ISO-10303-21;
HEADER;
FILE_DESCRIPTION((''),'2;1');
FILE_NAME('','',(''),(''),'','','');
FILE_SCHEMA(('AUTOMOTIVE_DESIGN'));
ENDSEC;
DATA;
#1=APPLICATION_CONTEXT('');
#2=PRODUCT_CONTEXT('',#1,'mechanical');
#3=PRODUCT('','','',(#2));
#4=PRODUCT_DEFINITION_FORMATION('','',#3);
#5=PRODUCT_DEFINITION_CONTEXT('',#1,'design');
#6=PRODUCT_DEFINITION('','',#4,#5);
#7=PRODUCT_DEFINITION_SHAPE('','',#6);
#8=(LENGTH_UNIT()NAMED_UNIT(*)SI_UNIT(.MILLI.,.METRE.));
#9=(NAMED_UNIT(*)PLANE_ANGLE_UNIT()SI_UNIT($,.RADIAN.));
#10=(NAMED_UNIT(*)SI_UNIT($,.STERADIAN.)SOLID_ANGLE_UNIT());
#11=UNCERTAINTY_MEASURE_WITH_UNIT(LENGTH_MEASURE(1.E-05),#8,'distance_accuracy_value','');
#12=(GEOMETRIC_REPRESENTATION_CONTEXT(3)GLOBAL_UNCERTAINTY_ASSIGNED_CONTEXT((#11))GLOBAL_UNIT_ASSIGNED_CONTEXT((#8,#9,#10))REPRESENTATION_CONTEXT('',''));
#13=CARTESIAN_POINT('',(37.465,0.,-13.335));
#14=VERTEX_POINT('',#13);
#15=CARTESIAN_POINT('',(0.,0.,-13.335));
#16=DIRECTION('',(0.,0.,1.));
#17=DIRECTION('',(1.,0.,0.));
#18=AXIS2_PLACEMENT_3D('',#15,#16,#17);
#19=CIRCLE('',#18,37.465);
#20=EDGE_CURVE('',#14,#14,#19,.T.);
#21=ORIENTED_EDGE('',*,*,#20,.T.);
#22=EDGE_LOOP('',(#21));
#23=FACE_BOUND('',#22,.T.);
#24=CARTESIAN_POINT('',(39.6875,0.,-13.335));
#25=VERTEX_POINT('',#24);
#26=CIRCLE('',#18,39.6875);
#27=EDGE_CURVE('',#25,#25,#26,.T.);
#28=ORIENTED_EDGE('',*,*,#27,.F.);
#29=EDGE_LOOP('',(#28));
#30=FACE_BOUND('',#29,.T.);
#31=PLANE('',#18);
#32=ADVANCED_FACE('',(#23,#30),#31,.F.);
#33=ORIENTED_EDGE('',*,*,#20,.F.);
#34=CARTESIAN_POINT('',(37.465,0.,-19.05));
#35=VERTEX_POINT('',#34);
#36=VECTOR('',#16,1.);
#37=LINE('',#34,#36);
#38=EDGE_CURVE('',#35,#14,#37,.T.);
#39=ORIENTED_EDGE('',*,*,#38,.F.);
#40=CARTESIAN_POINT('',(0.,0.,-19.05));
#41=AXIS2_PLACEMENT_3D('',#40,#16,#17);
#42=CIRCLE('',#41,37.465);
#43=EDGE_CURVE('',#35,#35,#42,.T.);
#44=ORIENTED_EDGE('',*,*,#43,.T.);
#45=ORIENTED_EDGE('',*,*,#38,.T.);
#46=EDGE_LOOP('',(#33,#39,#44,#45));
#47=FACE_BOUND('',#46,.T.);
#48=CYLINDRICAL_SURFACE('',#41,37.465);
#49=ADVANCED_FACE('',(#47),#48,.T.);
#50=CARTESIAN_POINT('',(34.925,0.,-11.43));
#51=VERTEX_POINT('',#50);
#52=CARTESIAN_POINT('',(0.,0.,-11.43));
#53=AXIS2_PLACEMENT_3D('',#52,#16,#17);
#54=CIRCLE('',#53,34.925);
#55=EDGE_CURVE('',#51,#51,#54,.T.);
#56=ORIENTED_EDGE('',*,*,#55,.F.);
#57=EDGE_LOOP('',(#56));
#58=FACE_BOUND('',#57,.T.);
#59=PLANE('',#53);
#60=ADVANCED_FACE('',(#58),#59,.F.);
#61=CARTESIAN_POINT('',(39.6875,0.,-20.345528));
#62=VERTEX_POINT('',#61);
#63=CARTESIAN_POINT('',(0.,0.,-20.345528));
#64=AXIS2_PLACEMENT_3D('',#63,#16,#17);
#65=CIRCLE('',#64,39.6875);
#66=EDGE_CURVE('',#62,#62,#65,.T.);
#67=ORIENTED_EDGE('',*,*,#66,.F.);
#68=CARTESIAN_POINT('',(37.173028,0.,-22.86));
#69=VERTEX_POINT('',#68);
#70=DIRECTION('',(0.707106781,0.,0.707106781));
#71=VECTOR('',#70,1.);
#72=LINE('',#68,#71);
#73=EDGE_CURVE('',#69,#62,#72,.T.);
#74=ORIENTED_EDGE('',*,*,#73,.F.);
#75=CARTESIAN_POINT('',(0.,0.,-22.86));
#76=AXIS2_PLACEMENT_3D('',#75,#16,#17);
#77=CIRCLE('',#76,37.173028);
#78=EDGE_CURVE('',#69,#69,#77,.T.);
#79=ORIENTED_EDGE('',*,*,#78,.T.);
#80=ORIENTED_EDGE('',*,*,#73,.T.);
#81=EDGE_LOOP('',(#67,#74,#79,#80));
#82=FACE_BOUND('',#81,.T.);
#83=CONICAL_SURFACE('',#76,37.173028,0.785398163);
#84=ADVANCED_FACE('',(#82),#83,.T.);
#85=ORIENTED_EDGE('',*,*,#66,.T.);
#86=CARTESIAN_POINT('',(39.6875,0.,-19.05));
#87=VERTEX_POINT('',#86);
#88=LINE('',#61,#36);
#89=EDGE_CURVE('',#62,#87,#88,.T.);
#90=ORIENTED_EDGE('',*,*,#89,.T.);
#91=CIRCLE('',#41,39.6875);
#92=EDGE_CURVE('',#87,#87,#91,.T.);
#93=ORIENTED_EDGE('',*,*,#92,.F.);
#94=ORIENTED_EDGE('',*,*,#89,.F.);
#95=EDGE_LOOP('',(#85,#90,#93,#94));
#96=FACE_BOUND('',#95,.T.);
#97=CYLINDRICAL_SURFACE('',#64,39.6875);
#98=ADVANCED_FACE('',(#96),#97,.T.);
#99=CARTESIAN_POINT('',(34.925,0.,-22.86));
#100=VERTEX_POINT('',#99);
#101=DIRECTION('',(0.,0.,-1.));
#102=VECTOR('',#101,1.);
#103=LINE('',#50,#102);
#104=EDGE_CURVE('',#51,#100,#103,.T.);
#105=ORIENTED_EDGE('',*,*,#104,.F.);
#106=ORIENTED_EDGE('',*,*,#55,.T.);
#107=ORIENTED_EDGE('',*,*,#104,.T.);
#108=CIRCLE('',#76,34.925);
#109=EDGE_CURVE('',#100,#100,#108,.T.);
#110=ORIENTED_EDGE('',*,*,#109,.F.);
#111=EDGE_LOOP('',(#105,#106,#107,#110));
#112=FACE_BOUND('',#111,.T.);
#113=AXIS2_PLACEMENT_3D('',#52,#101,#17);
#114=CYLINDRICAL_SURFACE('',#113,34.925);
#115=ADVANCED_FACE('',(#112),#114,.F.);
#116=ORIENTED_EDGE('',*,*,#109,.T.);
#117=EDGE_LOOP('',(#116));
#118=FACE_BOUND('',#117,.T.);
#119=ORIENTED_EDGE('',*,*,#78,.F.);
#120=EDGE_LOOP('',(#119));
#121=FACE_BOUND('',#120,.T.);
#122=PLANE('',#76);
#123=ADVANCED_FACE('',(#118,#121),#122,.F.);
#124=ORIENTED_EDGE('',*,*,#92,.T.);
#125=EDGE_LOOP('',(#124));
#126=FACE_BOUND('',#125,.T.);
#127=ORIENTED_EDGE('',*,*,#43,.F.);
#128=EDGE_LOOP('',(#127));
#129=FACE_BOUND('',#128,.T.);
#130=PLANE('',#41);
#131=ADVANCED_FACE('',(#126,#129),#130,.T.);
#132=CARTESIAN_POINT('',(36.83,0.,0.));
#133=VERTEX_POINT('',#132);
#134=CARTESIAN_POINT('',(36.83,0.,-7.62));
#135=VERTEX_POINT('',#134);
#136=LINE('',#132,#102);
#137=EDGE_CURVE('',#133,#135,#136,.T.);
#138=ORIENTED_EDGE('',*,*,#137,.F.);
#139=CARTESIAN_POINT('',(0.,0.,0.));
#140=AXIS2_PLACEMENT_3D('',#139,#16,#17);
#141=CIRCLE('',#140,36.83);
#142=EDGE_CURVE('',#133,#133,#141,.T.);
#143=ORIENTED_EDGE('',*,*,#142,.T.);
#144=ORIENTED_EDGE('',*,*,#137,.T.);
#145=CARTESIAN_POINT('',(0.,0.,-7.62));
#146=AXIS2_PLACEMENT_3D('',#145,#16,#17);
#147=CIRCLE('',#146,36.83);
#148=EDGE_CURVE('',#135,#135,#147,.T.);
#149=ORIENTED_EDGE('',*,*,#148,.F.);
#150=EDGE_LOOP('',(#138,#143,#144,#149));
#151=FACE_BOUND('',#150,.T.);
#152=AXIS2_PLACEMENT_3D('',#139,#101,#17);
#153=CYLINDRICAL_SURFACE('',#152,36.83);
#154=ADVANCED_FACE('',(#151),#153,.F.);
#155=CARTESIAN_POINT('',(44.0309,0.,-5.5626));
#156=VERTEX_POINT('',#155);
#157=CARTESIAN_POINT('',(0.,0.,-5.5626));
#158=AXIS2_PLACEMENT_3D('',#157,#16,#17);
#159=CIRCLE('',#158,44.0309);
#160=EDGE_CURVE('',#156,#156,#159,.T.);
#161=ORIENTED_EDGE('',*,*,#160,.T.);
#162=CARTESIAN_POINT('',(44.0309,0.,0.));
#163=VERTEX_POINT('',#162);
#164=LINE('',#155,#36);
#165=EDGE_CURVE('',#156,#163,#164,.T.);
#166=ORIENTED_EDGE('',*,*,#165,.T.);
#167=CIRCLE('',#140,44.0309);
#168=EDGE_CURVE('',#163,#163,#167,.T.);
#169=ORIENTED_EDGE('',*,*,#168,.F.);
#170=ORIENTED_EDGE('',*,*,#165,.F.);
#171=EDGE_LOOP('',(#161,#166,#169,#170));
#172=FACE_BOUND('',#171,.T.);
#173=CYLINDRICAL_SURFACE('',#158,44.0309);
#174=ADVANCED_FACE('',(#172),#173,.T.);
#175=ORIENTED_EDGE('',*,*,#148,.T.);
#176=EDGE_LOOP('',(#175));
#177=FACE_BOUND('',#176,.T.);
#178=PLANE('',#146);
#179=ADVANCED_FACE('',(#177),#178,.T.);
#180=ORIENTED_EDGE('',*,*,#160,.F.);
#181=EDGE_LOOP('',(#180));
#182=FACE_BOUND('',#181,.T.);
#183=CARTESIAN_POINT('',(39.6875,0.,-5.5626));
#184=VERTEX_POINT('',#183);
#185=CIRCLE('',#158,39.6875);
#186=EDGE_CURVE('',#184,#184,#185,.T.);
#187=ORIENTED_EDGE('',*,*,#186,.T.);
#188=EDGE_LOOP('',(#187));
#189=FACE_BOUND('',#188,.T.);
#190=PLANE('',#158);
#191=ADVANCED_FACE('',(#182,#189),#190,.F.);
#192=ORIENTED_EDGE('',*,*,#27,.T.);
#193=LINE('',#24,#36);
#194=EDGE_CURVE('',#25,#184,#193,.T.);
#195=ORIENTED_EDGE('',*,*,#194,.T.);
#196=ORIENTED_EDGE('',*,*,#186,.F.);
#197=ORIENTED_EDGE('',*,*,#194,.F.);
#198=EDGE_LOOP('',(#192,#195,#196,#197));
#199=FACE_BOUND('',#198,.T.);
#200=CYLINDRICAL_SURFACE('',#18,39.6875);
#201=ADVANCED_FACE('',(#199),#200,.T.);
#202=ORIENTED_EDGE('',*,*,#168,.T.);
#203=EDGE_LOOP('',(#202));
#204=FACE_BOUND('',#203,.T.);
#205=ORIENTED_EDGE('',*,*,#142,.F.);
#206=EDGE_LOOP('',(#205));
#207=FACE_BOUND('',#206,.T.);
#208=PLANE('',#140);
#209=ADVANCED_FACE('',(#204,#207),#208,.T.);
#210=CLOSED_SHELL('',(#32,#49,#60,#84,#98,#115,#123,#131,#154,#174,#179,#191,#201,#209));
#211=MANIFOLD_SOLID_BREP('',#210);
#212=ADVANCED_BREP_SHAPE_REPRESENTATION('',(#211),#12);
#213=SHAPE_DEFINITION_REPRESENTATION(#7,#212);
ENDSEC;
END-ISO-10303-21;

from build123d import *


with BuildPart() as f1:
    # F0 (on Front) → F1 (revolve)
    with BuildSketch(Plane.XZ):
        Polygon((36.83, -7.62), (0, -7.62), (0, -11.43), (34.925, -11.43), (34.925, -22.86), (37.173028, -22.86), (39.6875, -20.345528), (39.6875, -19.05), (37.465, -19.05), (37.465, -13.335), (39.6875, -13.335), (39.6875, -5.5626), (44.0309, -5.5626), (44.0309, 0), (36.83, 0), align=None)
    revolve(axis=Axis((0, 0, -3.81), (0, 0, 1)))


solid = f1.part
